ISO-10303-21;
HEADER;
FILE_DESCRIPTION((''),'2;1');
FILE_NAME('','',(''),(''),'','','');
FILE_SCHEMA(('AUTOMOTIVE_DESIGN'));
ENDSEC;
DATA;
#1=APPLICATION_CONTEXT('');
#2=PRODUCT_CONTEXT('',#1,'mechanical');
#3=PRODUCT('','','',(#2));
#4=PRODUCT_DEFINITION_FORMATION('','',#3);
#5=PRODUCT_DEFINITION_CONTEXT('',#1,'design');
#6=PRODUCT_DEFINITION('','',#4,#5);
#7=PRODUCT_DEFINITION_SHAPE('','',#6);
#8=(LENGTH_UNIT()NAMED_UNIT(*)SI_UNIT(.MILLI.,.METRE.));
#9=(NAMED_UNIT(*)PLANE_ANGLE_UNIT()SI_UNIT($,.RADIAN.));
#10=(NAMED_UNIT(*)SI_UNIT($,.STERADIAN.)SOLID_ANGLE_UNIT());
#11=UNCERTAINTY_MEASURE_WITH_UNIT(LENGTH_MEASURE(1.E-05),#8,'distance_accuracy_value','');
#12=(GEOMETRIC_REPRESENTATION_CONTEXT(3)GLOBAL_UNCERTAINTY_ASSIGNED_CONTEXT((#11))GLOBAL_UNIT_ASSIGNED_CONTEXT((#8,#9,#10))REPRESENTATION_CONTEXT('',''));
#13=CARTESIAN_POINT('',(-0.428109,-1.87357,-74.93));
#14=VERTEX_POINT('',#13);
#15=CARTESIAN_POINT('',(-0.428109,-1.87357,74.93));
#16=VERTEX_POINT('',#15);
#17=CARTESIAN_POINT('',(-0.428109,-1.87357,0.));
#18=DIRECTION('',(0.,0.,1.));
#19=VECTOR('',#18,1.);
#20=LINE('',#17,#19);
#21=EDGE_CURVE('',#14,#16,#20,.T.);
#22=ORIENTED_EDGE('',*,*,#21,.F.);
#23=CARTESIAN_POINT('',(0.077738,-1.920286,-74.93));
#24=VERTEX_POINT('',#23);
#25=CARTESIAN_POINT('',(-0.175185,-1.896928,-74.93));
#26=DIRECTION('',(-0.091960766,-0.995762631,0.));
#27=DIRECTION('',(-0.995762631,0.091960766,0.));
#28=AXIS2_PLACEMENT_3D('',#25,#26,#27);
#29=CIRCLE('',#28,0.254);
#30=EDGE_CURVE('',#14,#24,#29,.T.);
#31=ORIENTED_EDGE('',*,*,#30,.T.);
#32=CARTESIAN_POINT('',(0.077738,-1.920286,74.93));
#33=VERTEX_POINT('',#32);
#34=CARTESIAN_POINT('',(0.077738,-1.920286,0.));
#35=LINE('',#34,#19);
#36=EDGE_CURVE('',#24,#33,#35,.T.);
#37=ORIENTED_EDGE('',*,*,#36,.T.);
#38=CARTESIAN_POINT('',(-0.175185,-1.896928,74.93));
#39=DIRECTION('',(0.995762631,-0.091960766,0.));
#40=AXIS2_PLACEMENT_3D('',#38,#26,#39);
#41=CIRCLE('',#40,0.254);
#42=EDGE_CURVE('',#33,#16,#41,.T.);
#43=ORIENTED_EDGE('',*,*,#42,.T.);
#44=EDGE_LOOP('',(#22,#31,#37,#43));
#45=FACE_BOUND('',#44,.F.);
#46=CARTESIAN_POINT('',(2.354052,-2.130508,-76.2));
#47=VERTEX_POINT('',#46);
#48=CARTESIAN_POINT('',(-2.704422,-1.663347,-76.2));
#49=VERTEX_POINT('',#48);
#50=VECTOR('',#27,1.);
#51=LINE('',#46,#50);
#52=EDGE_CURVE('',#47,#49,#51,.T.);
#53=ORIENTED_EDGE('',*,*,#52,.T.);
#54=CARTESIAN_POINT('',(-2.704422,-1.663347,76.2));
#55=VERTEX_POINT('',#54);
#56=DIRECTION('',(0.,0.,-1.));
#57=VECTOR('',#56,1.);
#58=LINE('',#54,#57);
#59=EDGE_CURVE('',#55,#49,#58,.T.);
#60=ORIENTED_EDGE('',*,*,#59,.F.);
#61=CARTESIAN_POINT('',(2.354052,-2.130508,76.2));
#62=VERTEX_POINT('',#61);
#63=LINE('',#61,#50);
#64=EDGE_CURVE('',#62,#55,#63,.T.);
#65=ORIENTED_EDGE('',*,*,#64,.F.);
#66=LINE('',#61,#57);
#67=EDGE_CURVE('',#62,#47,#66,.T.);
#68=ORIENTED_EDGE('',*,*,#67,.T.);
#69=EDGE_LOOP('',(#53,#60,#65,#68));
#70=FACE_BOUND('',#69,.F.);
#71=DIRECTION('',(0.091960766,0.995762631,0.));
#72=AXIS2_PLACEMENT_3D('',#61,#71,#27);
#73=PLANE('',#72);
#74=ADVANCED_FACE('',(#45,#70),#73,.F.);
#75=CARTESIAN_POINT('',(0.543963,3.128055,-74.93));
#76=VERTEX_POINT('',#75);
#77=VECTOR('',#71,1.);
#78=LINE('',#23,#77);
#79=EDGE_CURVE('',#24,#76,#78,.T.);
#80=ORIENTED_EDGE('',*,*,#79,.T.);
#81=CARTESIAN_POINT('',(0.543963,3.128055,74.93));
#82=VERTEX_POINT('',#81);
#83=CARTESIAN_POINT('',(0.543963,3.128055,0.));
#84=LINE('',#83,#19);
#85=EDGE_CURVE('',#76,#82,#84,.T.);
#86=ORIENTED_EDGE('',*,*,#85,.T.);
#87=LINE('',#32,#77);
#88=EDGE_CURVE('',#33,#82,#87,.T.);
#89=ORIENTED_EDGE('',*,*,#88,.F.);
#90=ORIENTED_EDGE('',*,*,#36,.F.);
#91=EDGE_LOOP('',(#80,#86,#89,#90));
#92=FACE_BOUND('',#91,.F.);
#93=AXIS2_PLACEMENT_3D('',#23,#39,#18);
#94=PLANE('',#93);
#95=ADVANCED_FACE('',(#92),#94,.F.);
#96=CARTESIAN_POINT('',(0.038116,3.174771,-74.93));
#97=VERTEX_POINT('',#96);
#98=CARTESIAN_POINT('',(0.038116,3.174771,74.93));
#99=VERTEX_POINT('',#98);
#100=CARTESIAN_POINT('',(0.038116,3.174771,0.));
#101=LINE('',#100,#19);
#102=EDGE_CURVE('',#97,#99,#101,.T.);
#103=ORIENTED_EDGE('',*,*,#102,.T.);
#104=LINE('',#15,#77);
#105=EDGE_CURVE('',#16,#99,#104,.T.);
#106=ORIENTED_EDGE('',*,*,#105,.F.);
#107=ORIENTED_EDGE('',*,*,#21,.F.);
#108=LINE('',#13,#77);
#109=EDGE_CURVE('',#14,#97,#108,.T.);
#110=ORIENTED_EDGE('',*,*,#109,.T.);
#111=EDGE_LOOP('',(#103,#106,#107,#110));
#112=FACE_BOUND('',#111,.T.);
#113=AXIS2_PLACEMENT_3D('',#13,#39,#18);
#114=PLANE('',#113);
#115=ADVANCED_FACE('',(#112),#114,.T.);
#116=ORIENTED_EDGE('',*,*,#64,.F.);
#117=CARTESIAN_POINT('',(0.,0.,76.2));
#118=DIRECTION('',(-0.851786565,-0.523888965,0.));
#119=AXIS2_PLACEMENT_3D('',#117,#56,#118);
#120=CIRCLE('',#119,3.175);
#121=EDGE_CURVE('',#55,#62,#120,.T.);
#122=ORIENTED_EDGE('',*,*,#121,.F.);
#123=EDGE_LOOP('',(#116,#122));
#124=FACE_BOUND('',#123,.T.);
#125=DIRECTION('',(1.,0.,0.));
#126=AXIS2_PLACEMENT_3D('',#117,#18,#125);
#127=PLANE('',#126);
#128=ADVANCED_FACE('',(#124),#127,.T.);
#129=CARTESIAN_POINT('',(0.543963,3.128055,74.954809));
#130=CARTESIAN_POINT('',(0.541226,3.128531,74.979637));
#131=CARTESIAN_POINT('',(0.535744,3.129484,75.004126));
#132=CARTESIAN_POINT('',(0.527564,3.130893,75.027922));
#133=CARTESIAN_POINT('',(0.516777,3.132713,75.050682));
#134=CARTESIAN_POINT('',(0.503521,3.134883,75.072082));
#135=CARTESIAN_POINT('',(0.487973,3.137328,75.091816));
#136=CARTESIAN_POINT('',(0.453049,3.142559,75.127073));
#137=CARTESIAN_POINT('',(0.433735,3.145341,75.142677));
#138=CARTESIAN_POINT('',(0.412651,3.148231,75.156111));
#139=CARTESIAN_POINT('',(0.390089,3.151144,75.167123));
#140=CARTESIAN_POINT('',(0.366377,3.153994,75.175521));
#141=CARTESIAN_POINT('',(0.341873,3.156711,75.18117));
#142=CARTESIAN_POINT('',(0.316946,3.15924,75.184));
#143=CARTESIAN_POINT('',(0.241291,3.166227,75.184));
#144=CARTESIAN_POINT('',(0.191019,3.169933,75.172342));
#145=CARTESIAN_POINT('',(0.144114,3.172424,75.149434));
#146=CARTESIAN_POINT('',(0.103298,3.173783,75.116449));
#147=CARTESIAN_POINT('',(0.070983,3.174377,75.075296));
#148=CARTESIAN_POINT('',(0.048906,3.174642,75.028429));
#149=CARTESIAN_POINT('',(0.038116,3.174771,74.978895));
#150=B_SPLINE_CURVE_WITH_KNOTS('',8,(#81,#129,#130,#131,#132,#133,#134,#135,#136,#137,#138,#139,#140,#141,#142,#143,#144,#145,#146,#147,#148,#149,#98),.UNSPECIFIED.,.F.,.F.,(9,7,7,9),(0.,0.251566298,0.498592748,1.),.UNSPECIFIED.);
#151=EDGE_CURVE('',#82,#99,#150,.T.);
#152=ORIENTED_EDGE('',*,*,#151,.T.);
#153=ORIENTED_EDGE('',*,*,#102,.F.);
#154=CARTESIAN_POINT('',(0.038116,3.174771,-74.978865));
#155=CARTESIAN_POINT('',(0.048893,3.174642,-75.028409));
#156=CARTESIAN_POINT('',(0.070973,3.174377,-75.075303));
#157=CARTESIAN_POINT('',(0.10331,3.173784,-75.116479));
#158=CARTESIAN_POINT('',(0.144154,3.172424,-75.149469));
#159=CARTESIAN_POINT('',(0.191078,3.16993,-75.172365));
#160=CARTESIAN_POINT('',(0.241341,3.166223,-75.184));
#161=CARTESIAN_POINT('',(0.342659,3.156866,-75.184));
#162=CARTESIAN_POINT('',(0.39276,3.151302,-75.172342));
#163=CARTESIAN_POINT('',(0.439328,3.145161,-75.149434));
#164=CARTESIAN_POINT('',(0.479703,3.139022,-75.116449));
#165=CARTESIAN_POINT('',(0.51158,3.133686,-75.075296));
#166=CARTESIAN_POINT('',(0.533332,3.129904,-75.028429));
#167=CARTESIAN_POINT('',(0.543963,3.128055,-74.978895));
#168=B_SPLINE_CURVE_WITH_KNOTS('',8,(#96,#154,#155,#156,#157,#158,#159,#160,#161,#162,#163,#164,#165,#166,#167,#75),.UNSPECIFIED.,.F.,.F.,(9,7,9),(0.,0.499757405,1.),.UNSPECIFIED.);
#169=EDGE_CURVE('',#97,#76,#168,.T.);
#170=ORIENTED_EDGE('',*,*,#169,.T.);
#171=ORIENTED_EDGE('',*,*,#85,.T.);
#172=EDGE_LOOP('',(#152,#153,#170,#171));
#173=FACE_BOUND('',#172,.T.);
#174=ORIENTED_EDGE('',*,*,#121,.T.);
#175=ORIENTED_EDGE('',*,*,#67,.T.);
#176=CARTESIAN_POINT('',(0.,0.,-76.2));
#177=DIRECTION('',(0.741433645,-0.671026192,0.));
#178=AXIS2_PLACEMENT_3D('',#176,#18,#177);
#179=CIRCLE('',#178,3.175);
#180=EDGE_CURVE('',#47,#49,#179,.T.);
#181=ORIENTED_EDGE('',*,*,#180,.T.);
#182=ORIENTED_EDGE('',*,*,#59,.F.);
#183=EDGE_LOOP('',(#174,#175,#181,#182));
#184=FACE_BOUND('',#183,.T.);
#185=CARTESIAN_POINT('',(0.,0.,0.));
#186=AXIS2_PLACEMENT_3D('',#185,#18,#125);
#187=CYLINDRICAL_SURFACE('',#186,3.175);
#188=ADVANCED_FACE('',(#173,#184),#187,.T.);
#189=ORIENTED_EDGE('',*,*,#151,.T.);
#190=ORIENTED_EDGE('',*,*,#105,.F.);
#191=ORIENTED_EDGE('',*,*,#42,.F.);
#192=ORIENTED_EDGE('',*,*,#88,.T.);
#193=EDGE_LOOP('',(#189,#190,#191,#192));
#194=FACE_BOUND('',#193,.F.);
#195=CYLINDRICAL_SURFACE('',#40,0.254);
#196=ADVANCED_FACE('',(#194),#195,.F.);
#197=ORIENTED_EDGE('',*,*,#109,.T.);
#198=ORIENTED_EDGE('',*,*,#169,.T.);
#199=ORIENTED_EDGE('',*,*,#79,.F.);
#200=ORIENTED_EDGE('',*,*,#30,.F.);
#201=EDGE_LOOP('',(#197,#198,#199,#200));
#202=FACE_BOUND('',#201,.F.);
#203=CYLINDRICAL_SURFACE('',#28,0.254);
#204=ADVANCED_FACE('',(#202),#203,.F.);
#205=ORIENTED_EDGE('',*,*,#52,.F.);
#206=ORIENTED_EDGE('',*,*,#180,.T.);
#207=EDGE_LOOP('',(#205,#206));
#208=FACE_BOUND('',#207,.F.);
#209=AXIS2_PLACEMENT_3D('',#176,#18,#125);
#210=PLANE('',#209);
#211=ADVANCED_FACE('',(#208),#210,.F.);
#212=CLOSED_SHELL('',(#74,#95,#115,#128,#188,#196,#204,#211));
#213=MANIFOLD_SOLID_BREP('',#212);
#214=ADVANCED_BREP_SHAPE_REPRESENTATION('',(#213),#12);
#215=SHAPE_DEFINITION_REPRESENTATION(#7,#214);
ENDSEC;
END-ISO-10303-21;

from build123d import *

# Parameters (mm, degrees)
F0_R     = 3.175
F1_DEPTH = 76.2
F3_DEPTH = 152.4
F4_W     = 0.508
F4_H     = 149.86
F5_DEPTH = 25.4


with BuildPart() as f1:
    # F0 (on Top) → F1 (new body, symmetric)
    with BuildSketch(Plane.XY):
        Circle(F0_R)
    extrude(amount=F1_DEPTH, both=True)

    # F2 (on face) → F3 (cut)
    with BuildSketch(Plane.XY.offset(76.2)):
        with BuildLine():
            Line((2.3540518227, -2.1305081591), (-2.7044223431, -1.6633474653))
            ThreePointArc((-2.7044223431, -1.6633474653), (-0.2919754336, -3.1615463536), (2.3540518227, -2.1305081591))
        make_face()
    extrude(amount=-F3_DEPTH, mode=Mode.SUBTRACT)

    # F4 (on face) → F5 (cut)
    with BuildSketch(Plane(origin=(-0.1751852602, -1.8969278122, 0), x_dir=(0.9957626311, -0.0919607665, 0), z_dir=(-0.0919607665, -0.9957626311, 0))):
        Rectangle(F4_W, F4_H)
        with BuildLine():
            Line((0.254, -74.93), (-0.254, -74.93))
            ThreePointArc((-0.254, -74.93), (0, -75.184), (0.254, -74.93))
        make_face()
        with BuildLine():
            ThreePointArc((0.254, 74.93), (0, 75.184), (-0.254, 74.93))
            Line((-0.254, 74.93), (0.254, 74.93))
        make_face()
    extrude(amount=-F5_DEPTH, mode=Mode.SUBTRACT)


solid = f1.part
